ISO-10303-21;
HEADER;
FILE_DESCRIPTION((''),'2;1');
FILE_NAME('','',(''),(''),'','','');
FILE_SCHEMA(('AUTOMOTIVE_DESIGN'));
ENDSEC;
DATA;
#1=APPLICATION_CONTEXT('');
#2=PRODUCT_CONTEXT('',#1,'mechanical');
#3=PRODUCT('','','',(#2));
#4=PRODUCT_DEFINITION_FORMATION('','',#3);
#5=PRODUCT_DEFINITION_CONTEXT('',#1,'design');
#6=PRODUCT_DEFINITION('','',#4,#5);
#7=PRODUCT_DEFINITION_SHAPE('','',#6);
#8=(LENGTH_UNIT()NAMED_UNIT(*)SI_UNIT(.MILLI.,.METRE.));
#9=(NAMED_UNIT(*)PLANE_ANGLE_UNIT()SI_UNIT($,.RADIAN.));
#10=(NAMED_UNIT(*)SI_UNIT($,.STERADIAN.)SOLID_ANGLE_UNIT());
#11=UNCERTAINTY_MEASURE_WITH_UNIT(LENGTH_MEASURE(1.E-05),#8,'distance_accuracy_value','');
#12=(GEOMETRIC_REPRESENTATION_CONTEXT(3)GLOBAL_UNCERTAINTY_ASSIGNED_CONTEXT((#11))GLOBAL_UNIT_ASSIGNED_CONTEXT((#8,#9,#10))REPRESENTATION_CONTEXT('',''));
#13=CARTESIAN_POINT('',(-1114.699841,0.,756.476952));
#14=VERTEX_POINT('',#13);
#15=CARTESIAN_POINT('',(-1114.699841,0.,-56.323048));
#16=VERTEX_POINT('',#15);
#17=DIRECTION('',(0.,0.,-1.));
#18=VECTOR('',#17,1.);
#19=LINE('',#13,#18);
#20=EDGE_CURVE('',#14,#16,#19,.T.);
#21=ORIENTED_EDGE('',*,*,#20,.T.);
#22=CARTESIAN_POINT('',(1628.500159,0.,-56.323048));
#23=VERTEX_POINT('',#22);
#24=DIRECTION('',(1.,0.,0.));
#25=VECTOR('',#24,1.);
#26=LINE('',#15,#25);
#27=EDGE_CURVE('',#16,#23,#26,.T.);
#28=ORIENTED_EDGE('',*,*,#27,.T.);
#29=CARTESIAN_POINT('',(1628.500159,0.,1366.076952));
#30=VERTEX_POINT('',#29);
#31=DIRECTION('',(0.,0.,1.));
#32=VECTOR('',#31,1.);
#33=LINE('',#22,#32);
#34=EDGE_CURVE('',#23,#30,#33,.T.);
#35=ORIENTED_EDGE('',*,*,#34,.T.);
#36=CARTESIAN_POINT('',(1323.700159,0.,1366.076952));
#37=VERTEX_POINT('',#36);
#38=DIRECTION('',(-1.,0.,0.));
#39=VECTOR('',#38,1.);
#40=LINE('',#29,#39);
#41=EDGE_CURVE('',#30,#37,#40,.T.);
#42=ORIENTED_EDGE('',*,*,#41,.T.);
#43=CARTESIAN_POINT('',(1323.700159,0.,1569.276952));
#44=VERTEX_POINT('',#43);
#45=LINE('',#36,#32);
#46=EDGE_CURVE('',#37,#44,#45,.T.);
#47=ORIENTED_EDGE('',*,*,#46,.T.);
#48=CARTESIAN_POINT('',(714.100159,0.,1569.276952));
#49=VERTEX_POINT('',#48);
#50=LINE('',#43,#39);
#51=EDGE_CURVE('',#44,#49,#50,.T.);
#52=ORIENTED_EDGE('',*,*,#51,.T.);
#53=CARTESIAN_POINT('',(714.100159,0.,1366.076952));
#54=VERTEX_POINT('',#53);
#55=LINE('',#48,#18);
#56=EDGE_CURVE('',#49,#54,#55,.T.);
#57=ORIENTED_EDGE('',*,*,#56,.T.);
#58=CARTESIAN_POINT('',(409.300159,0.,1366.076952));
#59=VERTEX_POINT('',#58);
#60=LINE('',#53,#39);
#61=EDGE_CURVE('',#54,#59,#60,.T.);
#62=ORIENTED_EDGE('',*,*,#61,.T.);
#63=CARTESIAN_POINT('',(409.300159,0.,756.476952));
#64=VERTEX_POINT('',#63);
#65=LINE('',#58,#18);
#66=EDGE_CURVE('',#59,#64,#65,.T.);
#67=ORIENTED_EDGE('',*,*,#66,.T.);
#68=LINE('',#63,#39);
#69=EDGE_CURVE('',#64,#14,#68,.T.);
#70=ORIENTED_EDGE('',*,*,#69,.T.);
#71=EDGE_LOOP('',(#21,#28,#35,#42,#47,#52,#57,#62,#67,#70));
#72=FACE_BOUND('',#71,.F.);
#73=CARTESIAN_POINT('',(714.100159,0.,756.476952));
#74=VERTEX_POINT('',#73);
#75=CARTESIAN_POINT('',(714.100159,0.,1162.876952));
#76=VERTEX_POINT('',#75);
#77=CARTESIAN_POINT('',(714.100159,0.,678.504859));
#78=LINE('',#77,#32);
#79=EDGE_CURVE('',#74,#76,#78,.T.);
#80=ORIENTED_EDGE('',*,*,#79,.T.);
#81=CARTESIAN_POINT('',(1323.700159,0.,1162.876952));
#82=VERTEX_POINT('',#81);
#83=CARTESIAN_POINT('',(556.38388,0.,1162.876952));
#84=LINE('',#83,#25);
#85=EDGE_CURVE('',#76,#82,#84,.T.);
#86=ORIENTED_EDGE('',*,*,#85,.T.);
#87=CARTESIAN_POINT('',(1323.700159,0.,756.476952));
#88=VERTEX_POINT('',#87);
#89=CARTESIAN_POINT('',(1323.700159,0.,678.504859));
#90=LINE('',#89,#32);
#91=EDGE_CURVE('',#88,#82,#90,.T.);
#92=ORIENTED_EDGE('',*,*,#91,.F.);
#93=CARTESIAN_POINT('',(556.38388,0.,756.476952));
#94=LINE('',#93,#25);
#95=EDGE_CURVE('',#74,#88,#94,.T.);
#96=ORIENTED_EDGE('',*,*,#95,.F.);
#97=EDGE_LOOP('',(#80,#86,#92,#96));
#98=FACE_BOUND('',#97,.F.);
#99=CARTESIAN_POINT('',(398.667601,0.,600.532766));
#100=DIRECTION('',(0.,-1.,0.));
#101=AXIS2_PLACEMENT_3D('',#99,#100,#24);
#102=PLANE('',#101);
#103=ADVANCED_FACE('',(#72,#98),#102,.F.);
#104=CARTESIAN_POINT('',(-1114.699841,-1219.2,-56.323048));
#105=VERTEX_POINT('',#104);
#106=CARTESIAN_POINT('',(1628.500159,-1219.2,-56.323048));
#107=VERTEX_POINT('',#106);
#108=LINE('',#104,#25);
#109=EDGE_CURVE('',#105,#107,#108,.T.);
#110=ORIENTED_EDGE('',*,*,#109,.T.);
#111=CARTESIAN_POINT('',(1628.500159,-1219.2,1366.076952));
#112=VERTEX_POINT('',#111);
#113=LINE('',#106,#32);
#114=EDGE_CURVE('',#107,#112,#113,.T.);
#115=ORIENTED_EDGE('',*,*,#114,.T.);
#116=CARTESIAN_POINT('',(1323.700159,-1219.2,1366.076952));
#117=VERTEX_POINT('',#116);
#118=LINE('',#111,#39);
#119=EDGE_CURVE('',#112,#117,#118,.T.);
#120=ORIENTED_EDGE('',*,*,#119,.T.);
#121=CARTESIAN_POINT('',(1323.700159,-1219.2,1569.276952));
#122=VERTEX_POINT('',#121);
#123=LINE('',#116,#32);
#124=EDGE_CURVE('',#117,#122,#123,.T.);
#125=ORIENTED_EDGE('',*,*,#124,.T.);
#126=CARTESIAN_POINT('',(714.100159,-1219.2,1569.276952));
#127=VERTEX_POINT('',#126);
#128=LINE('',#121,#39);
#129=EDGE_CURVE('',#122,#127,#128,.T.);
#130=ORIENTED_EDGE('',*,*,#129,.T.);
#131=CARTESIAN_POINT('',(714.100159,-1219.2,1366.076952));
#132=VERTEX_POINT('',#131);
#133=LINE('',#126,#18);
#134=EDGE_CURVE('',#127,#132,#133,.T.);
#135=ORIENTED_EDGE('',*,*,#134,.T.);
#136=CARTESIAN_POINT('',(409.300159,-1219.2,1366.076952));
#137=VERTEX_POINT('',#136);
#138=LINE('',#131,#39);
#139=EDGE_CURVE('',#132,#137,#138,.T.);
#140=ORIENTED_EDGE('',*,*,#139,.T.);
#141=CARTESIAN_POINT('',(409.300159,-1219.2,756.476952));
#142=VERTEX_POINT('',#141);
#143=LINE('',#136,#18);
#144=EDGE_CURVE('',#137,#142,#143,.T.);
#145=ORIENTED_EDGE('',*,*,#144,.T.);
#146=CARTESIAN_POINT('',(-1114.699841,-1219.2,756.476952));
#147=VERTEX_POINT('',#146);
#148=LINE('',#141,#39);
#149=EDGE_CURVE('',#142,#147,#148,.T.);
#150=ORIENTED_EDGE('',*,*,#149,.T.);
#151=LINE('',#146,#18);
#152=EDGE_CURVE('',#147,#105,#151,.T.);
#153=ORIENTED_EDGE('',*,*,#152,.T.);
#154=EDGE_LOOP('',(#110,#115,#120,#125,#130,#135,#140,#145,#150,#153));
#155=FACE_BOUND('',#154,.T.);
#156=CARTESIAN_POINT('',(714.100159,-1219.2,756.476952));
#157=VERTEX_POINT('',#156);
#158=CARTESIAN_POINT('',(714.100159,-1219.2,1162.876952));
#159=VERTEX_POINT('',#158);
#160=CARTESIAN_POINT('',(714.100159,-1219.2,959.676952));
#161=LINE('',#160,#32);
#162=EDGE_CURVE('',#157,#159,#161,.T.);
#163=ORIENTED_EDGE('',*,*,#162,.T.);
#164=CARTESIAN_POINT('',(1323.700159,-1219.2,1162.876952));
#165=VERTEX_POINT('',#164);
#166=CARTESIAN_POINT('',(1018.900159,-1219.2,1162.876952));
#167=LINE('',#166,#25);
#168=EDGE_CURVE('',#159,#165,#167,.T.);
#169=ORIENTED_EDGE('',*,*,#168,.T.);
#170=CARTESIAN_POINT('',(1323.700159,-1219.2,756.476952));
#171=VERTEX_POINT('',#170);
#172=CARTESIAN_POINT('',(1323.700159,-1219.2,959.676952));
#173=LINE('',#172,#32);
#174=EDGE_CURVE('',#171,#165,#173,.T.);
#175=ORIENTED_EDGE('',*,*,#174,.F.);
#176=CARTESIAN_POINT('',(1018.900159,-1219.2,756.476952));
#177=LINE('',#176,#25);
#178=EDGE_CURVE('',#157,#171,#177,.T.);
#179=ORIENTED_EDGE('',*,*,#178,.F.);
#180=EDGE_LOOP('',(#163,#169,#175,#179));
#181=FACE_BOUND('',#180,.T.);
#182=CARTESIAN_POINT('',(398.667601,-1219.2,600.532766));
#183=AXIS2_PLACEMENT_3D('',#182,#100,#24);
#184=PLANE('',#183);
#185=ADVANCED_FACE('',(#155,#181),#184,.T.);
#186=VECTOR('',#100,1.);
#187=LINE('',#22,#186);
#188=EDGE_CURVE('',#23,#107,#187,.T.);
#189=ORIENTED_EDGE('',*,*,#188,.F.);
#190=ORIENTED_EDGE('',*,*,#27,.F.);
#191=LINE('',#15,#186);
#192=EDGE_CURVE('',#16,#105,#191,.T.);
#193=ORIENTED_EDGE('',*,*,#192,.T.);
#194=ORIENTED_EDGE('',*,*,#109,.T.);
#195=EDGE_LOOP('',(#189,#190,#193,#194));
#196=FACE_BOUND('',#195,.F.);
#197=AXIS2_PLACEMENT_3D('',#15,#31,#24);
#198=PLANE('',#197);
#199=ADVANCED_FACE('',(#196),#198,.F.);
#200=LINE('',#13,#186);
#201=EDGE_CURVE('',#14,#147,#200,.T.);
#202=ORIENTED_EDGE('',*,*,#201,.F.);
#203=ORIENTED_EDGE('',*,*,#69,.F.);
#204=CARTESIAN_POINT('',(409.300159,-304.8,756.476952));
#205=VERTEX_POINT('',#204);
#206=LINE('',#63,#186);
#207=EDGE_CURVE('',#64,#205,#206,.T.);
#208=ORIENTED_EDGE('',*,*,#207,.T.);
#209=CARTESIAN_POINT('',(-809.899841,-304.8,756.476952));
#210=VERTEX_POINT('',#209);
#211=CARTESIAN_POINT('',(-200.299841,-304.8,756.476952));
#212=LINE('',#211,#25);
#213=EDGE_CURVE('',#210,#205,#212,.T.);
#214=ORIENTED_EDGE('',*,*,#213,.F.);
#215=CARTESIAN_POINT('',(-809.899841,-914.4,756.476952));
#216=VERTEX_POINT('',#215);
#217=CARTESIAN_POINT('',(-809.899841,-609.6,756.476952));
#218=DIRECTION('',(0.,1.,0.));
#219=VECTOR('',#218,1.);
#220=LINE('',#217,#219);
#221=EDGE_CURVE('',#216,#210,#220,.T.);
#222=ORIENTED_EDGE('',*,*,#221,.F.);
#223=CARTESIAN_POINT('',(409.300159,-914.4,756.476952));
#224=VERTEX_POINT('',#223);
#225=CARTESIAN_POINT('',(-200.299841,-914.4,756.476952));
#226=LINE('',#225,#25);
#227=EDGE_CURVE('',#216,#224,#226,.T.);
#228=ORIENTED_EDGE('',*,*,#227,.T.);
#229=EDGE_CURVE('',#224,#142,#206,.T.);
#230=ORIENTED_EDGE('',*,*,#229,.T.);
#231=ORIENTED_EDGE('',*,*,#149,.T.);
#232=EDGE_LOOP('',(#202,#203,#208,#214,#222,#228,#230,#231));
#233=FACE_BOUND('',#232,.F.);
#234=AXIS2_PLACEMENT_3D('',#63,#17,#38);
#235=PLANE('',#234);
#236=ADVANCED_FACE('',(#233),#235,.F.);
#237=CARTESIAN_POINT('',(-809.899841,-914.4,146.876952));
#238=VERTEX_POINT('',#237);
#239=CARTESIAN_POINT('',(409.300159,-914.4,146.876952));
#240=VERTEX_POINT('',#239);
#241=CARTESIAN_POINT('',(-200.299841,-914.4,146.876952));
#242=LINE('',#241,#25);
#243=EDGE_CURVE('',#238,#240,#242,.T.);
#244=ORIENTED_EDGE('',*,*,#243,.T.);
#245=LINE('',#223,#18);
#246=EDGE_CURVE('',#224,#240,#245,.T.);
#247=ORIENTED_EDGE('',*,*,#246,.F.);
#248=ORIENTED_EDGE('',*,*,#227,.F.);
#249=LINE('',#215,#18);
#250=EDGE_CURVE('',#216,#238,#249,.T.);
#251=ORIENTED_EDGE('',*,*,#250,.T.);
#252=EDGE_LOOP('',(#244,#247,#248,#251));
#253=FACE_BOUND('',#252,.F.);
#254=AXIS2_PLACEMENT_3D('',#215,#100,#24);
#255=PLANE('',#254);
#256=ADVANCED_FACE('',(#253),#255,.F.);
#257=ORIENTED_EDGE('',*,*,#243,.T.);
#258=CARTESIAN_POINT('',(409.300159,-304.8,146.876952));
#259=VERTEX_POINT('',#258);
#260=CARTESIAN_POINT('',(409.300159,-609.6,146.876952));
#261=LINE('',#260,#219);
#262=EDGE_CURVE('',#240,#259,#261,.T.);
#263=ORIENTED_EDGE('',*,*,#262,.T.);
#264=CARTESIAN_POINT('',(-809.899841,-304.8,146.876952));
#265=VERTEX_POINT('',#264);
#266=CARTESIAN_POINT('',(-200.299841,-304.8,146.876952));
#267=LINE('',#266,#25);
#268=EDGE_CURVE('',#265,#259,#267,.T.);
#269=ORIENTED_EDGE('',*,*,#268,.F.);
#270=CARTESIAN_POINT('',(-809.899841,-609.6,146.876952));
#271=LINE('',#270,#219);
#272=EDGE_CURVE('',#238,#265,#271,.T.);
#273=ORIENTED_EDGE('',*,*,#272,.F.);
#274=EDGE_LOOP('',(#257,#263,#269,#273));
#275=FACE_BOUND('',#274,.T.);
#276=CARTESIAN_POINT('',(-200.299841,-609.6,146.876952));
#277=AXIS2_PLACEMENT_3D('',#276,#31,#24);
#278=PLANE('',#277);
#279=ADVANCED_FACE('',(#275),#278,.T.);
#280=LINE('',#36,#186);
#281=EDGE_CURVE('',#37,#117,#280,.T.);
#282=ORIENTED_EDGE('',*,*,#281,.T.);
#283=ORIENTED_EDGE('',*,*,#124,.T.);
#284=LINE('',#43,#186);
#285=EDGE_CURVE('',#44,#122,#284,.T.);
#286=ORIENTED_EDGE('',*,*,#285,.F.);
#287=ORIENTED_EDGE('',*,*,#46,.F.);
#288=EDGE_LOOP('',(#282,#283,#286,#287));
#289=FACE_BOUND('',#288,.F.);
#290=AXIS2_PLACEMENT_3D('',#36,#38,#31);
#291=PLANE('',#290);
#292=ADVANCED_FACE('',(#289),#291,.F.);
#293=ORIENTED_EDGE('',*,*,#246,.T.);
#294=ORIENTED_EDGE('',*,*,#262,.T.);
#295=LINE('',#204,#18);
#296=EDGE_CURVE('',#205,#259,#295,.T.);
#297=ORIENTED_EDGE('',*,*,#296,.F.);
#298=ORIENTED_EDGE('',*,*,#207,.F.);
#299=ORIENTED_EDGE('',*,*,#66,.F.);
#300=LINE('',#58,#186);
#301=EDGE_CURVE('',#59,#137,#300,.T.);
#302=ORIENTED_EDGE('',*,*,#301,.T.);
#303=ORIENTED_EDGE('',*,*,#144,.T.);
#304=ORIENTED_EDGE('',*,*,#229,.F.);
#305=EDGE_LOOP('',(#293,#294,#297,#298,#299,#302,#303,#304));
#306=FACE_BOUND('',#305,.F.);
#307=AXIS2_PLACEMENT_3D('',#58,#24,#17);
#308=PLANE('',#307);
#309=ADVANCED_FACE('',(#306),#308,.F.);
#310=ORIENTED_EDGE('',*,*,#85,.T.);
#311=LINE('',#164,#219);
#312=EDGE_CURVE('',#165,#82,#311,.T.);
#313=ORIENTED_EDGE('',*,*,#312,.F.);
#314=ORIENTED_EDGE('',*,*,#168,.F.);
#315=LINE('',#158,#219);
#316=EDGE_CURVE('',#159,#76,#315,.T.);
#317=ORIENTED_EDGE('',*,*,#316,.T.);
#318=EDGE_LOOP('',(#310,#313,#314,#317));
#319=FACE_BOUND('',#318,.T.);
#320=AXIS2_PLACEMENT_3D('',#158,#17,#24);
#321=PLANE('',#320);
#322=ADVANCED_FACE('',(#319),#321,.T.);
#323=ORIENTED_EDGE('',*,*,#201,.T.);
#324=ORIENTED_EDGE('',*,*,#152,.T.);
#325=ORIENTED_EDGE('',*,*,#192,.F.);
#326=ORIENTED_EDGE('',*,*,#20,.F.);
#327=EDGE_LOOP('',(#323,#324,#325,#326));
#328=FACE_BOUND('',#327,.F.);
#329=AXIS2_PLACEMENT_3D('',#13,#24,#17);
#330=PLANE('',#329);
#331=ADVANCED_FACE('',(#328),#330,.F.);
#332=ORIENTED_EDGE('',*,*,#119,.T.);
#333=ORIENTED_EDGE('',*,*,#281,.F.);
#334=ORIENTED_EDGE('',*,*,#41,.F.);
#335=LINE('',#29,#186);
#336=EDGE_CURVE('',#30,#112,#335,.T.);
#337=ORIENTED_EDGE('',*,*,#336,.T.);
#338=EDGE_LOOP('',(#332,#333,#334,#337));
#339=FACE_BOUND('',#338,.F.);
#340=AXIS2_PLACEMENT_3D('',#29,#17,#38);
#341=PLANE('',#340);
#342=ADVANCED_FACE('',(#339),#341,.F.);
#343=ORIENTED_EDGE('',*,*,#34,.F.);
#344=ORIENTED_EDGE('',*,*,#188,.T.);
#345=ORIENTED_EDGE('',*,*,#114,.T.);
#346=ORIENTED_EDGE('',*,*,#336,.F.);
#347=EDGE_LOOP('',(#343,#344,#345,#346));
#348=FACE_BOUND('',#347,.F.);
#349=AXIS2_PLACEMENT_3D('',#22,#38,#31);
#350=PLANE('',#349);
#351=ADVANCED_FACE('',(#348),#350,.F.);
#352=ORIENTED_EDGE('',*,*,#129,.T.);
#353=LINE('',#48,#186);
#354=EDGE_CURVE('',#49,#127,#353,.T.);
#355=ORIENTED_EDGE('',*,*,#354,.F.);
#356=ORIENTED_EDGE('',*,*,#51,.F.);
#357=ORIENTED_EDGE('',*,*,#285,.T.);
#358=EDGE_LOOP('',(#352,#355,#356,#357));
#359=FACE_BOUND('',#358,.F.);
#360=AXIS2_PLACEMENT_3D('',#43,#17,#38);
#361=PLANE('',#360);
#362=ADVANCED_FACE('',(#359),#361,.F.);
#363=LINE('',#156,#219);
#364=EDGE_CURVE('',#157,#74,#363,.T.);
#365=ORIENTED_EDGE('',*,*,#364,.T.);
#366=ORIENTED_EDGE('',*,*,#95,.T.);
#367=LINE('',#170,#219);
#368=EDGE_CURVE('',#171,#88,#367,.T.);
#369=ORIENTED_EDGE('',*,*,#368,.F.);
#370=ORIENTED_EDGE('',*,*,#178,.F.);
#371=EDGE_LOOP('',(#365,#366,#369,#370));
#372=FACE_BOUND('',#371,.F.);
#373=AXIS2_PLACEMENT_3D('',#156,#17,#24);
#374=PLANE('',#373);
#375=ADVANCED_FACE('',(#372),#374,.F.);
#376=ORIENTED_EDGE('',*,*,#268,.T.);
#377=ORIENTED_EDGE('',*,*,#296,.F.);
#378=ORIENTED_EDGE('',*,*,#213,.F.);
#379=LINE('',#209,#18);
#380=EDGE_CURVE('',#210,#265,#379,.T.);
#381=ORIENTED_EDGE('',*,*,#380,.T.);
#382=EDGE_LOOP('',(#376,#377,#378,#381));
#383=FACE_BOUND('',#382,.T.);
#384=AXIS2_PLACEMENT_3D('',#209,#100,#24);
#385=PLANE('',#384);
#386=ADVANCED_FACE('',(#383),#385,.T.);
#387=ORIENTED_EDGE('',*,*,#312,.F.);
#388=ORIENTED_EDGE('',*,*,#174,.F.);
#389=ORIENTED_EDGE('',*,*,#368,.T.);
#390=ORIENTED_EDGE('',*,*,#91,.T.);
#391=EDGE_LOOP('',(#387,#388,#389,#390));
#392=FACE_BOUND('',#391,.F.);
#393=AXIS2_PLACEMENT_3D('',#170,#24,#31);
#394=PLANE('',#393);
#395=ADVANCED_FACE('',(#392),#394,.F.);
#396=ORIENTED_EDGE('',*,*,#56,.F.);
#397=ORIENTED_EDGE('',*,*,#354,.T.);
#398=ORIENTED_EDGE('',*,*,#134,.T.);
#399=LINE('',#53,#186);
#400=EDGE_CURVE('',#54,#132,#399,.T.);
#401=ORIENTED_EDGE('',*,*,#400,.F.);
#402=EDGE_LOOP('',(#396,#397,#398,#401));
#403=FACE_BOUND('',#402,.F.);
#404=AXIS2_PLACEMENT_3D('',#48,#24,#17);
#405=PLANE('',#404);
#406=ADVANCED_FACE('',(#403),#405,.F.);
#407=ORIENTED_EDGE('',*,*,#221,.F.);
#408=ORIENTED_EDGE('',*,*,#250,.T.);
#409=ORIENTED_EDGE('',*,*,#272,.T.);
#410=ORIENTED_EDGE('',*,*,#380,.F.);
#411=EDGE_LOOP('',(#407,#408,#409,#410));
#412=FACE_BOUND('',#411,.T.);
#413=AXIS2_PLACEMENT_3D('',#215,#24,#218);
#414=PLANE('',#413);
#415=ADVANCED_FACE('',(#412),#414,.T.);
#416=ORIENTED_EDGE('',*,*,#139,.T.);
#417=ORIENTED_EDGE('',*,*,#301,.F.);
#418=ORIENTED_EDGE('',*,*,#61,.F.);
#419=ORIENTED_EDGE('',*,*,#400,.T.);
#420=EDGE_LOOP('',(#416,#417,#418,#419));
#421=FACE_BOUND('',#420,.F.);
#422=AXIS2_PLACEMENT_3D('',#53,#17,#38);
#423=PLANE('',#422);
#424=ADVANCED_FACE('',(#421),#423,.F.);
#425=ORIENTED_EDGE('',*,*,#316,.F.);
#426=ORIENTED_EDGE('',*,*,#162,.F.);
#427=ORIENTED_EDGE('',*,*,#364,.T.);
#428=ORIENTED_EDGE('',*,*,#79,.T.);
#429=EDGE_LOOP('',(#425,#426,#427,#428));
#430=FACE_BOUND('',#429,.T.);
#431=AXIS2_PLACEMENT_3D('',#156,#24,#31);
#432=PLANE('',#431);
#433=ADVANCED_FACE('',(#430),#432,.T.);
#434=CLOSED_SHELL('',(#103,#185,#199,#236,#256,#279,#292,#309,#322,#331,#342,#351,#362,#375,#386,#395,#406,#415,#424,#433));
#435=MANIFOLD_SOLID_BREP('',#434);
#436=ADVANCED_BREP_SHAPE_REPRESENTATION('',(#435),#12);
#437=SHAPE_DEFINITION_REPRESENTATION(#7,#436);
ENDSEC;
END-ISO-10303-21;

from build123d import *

# Parameters (mm, degrees)
F1_DEPTH = 1219.2
F2_W     = 609.6
F2_H     = 406.4
F3_DEPTH = 1219.201
F4_W     = 1219.2
F4_H     = 609.6
F5_DEPTH = 609.6


with BuildPart() as f1:
    # F0 (on Front) → F1 (new body)
    with BuildSketch(Plane.XZ):
        Polygon((-1114.699841, 756.476952), (-1114.699841, -56.323048), (1628.500159, -56.323048), (1628.500159, 1366.076952), (1323.700159, 1366.076952), (1323.700159, 1569.276952), (714.100159, 1569.276952), (714.100159, 1366.076952), (409.300159, 1366.076952), (409.300159, 756.476952), align=None)
    extrude(amount=F1_DEPTH)

    # F2 (on face) → F3 (cut, through all)
    with BuildSketch(Plane.XZ.offset(1219.2)):
        with Locations((1018.900159, 959.676952)):
            Rectangle(F2_W, F2_H)
    extrude(amount=-F3_DEPTH, mode=Mode.SUBTRACT)

    # F4 (on face) → F5 (cut)
    with BuildSketch(Plane.XY.offset(756.476952)):
        with Locations((-200.299841, -609.6)):
            Rectangle(F4_W, F4_H)
    extrude(amount=-F5_DEPTH, mode=Mode.SUBTRACT)


solid = f1.part
